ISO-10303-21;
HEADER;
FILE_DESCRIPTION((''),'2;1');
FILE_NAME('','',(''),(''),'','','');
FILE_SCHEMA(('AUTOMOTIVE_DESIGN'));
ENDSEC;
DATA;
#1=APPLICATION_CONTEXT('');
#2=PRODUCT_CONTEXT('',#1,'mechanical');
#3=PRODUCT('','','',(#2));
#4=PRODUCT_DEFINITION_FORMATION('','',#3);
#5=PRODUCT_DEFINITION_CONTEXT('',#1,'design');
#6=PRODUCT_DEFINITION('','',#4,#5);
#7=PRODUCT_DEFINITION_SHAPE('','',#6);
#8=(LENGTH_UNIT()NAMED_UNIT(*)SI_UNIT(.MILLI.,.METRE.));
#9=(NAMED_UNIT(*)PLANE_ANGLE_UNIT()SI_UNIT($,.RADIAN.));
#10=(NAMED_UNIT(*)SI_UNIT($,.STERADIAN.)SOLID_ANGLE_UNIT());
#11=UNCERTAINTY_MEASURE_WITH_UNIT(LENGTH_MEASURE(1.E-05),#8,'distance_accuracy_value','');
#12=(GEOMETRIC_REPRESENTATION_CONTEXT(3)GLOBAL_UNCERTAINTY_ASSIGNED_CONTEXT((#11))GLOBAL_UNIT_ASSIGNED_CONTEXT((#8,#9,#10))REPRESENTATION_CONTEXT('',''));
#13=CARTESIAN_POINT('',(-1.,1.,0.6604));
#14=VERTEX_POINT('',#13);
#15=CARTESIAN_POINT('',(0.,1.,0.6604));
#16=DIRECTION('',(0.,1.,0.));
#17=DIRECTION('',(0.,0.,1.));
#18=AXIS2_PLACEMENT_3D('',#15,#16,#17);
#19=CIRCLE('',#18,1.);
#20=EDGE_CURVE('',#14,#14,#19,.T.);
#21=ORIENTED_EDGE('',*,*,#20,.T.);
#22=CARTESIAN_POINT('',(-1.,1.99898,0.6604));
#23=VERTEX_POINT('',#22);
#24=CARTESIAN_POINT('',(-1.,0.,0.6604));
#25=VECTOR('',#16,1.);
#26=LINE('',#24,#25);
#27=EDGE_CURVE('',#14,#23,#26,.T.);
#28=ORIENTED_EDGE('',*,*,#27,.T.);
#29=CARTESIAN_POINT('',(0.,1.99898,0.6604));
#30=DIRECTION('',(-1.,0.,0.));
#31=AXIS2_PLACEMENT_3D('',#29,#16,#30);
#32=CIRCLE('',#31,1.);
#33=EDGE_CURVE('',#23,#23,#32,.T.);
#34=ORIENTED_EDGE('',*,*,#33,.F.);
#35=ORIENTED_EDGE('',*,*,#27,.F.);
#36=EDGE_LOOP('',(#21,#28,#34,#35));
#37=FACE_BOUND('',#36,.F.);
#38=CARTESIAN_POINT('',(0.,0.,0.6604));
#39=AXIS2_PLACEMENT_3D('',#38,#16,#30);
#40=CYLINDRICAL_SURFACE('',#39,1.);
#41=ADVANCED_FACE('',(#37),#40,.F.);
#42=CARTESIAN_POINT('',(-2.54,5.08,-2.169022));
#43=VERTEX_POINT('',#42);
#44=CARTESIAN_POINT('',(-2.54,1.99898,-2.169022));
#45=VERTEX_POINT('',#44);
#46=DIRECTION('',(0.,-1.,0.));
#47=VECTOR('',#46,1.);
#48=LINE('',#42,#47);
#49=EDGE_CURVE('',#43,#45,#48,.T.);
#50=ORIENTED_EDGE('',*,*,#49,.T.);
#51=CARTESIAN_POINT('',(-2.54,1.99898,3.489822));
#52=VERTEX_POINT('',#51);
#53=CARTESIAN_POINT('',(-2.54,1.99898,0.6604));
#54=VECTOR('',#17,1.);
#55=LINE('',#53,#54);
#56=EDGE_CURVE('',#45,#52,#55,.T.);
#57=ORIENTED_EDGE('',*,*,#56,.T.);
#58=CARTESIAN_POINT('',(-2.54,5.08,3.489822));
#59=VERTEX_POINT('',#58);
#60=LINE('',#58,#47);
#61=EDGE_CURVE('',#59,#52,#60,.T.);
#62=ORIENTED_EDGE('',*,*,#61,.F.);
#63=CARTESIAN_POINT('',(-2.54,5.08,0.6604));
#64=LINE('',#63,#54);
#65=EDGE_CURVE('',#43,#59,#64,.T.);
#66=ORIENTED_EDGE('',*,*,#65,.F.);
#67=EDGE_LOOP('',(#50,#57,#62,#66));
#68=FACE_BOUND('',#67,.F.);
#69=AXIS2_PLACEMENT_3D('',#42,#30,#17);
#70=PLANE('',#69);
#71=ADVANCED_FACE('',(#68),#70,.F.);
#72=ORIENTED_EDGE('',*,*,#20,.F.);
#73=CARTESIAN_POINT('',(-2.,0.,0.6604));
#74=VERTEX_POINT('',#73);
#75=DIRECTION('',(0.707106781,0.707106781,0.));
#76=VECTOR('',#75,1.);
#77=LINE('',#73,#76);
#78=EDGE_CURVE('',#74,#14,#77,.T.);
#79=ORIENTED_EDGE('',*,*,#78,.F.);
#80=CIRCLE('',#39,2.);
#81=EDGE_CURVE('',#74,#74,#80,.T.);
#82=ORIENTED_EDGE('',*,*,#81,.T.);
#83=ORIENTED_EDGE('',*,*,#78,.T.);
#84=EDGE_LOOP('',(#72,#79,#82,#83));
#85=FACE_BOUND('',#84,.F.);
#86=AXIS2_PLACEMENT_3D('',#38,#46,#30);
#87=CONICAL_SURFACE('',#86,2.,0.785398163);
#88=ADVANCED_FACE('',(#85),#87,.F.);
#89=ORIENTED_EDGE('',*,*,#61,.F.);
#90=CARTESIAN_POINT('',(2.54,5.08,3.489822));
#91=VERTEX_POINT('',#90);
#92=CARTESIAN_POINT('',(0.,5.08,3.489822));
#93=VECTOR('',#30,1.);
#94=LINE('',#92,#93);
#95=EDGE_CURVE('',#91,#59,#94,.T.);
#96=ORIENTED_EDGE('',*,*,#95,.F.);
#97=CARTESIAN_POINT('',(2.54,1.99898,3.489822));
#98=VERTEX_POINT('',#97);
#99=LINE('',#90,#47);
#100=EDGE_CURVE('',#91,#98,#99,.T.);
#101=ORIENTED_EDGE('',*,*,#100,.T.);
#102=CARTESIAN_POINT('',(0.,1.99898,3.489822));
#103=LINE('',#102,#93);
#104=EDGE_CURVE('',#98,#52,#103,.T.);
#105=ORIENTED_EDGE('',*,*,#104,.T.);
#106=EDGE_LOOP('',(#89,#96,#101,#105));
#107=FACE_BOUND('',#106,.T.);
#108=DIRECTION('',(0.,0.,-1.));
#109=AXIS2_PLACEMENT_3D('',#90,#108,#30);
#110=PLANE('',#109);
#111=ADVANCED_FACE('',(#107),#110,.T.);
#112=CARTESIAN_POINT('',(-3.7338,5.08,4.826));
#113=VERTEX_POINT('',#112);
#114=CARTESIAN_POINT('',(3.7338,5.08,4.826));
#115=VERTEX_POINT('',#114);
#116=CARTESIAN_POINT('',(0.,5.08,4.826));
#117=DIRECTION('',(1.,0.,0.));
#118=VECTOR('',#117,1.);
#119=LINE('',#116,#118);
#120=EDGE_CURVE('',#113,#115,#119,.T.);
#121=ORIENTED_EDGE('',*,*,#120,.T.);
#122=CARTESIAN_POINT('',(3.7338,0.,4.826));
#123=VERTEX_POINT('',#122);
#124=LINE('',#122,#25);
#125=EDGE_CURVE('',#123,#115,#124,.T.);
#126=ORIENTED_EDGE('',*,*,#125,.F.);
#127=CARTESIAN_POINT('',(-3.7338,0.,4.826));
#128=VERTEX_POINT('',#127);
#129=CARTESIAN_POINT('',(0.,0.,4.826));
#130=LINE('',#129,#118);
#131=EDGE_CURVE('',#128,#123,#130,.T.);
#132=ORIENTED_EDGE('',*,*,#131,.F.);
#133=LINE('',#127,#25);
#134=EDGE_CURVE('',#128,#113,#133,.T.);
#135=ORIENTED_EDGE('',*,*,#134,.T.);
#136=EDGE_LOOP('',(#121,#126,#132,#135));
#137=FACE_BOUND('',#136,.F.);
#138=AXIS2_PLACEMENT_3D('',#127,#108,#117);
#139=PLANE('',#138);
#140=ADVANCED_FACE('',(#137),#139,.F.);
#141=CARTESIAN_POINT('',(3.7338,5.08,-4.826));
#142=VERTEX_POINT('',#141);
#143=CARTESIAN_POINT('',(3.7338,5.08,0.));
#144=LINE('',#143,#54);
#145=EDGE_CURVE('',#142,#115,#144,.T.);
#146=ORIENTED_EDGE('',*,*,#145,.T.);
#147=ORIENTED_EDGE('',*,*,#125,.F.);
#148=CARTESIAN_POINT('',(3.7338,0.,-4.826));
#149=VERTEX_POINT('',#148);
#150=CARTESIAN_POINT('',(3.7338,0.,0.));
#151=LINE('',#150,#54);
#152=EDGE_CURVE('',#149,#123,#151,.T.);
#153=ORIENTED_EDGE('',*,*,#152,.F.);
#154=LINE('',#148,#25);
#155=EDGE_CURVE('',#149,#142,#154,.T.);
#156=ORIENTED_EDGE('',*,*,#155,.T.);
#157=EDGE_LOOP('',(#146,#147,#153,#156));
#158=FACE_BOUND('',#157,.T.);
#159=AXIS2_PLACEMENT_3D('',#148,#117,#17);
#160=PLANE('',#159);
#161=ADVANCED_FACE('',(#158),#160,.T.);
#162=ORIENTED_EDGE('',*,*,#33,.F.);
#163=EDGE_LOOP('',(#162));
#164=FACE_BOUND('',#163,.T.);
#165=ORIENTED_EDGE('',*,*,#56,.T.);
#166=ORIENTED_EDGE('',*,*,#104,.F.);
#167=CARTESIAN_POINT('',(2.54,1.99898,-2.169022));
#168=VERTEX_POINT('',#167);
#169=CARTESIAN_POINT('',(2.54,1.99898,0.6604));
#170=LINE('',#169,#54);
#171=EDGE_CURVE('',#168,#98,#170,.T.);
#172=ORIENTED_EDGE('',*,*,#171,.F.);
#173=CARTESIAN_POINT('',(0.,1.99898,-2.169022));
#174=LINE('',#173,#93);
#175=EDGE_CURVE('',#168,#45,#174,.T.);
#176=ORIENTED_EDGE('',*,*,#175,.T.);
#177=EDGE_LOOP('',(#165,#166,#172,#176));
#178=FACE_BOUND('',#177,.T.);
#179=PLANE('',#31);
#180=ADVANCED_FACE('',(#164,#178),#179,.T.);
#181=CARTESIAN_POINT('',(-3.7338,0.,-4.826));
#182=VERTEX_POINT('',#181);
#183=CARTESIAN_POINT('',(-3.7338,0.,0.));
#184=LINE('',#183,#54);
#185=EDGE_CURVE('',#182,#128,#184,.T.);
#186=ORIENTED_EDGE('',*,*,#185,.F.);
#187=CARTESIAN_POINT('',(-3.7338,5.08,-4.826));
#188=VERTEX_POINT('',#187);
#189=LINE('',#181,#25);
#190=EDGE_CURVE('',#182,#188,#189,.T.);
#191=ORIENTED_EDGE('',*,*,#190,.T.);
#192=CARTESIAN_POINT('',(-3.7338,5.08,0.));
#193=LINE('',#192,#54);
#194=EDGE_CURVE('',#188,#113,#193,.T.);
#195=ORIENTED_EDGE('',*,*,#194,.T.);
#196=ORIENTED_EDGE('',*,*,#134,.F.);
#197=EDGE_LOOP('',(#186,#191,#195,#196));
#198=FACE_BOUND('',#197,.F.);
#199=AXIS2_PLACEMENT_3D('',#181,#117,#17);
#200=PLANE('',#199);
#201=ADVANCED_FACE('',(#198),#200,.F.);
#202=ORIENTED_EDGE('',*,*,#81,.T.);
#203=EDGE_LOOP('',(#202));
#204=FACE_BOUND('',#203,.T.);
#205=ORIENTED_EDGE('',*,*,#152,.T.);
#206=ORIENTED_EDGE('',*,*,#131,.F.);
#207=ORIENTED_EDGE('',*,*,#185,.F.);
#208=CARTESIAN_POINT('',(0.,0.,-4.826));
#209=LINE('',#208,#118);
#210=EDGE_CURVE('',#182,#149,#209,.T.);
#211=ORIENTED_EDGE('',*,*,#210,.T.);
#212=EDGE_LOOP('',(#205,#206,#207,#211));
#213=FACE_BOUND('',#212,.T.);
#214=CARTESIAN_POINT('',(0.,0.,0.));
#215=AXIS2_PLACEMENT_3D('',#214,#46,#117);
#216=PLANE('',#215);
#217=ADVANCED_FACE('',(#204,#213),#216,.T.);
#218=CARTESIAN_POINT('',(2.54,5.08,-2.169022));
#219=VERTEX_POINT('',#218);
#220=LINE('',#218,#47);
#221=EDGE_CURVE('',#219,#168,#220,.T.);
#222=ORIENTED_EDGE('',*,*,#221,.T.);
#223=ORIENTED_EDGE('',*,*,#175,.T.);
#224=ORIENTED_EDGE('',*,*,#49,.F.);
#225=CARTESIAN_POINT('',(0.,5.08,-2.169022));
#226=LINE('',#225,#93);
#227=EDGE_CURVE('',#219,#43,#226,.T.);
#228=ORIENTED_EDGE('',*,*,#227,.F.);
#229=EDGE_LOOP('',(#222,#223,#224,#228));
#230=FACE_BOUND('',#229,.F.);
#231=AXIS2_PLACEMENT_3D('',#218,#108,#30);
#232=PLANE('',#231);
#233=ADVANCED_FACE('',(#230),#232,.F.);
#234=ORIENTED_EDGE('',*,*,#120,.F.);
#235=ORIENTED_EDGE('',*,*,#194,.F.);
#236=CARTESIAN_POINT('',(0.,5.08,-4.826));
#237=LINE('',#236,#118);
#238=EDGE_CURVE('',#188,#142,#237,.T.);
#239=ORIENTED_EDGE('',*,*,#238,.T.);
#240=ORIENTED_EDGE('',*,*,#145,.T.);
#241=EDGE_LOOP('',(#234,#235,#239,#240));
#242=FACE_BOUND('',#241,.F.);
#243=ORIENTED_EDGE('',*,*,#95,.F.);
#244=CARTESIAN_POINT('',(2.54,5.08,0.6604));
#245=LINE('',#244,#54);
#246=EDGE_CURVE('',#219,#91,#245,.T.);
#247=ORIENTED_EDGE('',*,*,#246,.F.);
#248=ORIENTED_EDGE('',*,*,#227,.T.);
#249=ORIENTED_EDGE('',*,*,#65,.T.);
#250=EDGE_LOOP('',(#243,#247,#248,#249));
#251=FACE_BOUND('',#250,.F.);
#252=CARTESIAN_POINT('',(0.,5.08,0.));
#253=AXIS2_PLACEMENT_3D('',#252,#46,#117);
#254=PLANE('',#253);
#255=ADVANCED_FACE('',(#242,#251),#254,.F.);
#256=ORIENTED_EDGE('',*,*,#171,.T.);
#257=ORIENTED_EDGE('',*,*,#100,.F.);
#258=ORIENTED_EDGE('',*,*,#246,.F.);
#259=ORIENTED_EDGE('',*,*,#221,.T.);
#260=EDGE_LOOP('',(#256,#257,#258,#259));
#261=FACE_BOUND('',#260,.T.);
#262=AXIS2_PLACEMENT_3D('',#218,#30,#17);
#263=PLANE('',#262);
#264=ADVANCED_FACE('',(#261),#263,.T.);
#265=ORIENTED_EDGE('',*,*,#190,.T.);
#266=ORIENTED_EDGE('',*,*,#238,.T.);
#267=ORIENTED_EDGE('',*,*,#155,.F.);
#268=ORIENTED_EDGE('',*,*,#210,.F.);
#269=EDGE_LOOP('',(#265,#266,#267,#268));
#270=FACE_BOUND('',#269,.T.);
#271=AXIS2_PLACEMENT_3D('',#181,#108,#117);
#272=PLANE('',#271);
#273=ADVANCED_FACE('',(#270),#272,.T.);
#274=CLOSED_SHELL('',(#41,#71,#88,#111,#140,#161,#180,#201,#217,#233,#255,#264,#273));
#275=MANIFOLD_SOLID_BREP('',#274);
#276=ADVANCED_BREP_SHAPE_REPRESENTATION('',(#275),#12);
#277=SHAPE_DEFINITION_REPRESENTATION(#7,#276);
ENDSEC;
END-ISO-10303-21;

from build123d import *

# Parameters (mm, degrees)
F0_W           = 7.4676
F0_H           = 9.652
F0_R           = 1
F1_DEPTH       = 5.08
F2_D           = 2
F2_CSINK_D     = 4
F2_CSINK_ANGLE = 90
F3_W           = 5.08
F3_H           = 5.658844
F3_R           = 1
F4_DEPTH       = 3.08102


with BuildPart() as f1:
    # F0 (on Front) → F1 (new body)
    with BuildSketch(Plane.XZ):
        Rectangle(F0_W, F0_H)
        with Locations((0, 0.6604)):
            Circle(F0_R, mode=Mode.SUBTRACT)
        with Locations((0, 0.6604)):
            Circle(F0_R)
    extrude(amount=-F1_DEPTH)

    # F2 (through all)
    with Locations(Plane.XZ):
        with Locations((0, 0.6604)):
            CounterSinkHole(F2_D / 2, F2_CSINK_D / 2, counter_sink_angle=F2_CSINK_ANGLE)

    # F3 (on face) → F4 (cut)
    with BuildSketch(Plane(origin=(0, 5.08, 0), x_dir=(-1, 0, 0), z_dir=(0, 1, 0))):
        with Locations((0, 0.6604)):
            Rectangle(F3_W, F3_H)
        with Locations((0, 0.6604)):
            Circle(F3_R, mode=Mode.SUBTRACT)
    extrude(amount=-F4_DEPTH, mode=Mode.SUBTRACT)


solid = f1.part
